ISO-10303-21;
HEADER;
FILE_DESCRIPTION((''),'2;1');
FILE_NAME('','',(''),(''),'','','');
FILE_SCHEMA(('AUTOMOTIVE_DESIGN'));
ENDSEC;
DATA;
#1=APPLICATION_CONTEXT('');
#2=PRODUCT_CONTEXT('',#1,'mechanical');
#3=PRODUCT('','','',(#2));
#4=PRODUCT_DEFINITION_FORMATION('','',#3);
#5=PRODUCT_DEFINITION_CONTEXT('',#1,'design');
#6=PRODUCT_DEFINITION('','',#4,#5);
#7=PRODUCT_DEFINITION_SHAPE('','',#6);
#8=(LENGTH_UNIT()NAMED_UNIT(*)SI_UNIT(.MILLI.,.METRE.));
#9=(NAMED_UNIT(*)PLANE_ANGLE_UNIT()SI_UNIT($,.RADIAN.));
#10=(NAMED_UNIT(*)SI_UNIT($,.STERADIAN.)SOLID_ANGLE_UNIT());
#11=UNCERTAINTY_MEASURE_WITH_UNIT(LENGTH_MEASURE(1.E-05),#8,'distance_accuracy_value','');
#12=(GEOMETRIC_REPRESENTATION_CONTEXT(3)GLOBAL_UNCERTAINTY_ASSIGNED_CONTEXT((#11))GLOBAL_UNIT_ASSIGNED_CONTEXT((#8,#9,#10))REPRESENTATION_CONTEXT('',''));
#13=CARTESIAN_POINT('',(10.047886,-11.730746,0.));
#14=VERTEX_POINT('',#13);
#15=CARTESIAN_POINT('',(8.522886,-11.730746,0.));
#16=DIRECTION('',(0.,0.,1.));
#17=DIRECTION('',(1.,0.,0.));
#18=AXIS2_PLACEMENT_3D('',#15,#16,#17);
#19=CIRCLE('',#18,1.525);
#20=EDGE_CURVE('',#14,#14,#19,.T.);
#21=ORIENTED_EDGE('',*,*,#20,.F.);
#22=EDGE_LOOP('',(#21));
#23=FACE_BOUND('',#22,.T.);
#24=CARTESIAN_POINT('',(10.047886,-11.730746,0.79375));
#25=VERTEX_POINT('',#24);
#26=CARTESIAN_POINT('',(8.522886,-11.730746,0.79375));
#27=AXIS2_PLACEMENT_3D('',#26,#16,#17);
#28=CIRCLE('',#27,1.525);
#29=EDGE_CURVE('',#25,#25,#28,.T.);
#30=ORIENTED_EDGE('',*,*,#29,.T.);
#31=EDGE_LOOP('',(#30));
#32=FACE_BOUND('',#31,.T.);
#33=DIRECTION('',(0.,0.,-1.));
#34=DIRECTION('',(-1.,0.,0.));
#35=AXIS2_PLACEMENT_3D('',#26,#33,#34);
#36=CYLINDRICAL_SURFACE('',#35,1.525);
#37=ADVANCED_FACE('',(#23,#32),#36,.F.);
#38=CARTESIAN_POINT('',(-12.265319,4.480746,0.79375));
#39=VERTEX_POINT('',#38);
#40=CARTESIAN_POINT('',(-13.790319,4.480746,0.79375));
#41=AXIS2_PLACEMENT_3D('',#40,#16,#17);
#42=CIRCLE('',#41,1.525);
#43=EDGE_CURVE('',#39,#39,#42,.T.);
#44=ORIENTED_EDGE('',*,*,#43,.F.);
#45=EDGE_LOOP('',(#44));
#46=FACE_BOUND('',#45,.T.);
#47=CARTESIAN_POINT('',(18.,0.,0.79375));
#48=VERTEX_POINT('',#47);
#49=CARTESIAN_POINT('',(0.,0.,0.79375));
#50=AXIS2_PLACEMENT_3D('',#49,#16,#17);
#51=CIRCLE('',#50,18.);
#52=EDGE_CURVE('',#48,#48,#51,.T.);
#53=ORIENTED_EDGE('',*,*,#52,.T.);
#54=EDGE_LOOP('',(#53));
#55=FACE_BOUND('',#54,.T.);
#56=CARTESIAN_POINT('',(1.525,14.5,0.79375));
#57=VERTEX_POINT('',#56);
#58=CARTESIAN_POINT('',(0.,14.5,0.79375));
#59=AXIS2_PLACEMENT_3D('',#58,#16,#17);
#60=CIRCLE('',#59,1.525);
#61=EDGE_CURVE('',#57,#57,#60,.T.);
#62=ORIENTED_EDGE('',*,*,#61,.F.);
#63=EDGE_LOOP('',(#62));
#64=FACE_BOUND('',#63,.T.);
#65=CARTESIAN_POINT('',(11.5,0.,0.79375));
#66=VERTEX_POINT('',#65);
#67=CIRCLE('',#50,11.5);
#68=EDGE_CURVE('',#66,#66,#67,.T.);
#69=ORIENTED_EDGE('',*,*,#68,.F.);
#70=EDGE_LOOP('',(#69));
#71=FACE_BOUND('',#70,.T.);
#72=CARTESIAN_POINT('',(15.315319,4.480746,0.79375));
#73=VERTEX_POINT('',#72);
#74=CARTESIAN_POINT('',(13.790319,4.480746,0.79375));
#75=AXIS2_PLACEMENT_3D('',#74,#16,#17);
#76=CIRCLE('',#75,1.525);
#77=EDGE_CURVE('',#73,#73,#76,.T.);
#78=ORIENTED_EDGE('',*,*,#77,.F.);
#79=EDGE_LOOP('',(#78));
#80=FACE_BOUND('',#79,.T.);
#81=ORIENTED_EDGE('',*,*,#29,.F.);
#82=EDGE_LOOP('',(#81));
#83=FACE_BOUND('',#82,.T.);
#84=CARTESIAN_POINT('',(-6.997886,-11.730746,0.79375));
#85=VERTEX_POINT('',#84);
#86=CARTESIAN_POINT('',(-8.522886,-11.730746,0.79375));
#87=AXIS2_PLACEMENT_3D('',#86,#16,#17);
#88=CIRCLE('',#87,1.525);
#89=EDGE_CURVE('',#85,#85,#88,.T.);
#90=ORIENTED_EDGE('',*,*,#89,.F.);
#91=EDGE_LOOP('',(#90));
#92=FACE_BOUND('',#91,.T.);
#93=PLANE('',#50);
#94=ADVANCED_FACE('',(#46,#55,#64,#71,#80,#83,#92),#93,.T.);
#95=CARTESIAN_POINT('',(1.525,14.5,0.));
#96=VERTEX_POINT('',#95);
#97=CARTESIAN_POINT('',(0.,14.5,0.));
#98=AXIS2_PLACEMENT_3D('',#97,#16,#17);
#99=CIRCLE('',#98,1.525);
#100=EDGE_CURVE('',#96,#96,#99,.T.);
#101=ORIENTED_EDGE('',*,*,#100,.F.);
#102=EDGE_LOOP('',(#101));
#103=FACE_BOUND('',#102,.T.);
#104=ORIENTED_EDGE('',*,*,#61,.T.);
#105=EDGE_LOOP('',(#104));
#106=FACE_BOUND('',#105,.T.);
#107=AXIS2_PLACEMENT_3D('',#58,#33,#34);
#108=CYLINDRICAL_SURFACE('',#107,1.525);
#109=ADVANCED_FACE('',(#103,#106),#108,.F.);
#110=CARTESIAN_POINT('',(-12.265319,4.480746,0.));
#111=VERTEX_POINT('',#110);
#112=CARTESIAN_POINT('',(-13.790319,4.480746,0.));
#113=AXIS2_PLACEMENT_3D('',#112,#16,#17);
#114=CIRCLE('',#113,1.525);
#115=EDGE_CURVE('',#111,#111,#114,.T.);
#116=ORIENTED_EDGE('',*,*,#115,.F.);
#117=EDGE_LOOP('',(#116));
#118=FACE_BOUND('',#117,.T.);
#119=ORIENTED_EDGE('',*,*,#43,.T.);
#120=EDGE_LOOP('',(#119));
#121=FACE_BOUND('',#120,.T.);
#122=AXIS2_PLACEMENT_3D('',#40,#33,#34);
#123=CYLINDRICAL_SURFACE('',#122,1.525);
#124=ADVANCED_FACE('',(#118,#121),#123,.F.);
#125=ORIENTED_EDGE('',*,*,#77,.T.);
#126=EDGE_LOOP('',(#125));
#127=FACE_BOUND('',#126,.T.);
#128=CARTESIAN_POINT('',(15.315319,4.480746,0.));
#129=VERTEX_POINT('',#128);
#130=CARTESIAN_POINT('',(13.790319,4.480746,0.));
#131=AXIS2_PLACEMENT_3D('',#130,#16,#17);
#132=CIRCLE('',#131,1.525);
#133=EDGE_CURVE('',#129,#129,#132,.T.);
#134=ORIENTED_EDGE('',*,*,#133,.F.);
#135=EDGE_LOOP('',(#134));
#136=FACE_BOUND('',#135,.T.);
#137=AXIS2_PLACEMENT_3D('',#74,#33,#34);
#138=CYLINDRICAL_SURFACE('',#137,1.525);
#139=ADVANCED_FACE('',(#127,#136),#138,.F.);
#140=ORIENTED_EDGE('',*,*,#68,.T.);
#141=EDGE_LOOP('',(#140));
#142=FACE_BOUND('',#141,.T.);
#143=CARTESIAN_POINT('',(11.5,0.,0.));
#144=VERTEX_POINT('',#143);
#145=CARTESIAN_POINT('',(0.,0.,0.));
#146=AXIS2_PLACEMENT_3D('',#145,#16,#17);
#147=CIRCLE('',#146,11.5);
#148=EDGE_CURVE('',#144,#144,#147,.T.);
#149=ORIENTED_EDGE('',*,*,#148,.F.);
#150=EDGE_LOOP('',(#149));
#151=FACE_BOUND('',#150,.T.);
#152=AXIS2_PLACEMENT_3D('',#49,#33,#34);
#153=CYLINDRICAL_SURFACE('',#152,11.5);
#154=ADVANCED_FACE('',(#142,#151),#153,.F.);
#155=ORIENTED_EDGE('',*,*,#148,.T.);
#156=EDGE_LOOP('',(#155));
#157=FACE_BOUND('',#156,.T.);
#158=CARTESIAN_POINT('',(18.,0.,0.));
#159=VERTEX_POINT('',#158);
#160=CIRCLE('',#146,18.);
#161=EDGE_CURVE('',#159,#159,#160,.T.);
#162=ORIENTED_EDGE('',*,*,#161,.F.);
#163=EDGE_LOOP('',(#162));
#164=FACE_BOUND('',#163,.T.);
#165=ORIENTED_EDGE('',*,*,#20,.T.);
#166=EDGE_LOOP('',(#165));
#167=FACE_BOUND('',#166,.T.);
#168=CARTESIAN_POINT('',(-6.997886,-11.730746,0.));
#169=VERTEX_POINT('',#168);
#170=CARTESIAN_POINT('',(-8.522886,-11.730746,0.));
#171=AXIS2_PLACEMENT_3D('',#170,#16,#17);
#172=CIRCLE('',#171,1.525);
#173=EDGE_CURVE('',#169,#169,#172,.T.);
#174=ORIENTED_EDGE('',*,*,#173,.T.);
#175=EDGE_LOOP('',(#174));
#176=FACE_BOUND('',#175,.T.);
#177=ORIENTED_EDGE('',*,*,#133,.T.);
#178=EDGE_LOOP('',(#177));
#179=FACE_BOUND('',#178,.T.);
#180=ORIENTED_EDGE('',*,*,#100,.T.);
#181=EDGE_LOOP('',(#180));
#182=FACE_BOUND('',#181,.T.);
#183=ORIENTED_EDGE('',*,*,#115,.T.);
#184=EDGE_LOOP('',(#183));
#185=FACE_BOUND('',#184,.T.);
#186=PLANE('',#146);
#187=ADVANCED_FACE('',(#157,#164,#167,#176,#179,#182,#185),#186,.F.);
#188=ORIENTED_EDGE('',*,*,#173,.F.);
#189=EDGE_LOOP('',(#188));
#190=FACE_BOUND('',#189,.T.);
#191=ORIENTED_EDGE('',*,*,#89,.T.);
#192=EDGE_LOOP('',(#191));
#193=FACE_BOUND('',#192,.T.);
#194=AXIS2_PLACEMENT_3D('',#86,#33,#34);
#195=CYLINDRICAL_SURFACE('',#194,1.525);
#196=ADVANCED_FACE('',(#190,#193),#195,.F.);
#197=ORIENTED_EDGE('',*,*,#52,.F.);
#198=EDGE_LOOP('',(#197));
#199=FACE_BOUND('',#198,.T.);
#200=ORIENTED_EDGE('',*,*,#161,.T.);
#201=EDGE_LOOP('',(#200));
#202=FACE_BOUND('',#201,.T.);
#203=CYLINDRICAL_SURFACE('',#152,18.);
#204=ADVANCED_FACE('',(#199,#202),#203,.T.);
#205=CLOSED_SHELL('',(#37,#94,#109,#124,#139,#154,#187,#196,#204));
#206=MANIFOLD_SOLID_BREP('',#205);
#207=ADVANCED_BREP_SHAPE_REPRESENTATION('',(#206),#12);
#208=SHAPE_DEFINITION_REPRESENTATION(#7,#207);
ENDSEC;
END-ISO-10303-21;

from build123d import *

# Parameters (mm, degrees)
SKETCH1_R           = 18
SKETCH1_R_2         = 11.5
SKETCH1_R_3         = 1.525
BOSS_EXTRUDE1_DEPTH = 0.79375


with BuildPart() as part:
    # Sketch1 → Boss-Extrude1 (new body)
    with BuildSketch(Plane.XY):
        Circle(SKETCH1_R)
        Circle(SKETCH1_R_2, mode=Mode.SUBTRACT)
        with Locations((0, 14.5)):
            Circle(SKETCH1_R_3, mode=Mode.SUBTRACT)
        with Locations((13.790319486, 4.480746418)):
            Circle(SKETCH1_R_3, mode=Mode.SUBTRACT)
        with Locations((8.522886158, -11.730746418)):
            Circle(SKETCH1_R_3, mode=Mode.SUBTRACT)
        with Locations((-8.522886158, -11.730746418)):
            Circle(SKETCH1_R_3, mode=Mode.SUBTRACT)
        with Locations((-13.790319486, 4.480746418)):
            Circle(SKETCH1_R_3, mode=Mode.SUBTRACT)
    extrude(amount=BOSS_EXTRUDE1_DEPTH)


solid = part.part
